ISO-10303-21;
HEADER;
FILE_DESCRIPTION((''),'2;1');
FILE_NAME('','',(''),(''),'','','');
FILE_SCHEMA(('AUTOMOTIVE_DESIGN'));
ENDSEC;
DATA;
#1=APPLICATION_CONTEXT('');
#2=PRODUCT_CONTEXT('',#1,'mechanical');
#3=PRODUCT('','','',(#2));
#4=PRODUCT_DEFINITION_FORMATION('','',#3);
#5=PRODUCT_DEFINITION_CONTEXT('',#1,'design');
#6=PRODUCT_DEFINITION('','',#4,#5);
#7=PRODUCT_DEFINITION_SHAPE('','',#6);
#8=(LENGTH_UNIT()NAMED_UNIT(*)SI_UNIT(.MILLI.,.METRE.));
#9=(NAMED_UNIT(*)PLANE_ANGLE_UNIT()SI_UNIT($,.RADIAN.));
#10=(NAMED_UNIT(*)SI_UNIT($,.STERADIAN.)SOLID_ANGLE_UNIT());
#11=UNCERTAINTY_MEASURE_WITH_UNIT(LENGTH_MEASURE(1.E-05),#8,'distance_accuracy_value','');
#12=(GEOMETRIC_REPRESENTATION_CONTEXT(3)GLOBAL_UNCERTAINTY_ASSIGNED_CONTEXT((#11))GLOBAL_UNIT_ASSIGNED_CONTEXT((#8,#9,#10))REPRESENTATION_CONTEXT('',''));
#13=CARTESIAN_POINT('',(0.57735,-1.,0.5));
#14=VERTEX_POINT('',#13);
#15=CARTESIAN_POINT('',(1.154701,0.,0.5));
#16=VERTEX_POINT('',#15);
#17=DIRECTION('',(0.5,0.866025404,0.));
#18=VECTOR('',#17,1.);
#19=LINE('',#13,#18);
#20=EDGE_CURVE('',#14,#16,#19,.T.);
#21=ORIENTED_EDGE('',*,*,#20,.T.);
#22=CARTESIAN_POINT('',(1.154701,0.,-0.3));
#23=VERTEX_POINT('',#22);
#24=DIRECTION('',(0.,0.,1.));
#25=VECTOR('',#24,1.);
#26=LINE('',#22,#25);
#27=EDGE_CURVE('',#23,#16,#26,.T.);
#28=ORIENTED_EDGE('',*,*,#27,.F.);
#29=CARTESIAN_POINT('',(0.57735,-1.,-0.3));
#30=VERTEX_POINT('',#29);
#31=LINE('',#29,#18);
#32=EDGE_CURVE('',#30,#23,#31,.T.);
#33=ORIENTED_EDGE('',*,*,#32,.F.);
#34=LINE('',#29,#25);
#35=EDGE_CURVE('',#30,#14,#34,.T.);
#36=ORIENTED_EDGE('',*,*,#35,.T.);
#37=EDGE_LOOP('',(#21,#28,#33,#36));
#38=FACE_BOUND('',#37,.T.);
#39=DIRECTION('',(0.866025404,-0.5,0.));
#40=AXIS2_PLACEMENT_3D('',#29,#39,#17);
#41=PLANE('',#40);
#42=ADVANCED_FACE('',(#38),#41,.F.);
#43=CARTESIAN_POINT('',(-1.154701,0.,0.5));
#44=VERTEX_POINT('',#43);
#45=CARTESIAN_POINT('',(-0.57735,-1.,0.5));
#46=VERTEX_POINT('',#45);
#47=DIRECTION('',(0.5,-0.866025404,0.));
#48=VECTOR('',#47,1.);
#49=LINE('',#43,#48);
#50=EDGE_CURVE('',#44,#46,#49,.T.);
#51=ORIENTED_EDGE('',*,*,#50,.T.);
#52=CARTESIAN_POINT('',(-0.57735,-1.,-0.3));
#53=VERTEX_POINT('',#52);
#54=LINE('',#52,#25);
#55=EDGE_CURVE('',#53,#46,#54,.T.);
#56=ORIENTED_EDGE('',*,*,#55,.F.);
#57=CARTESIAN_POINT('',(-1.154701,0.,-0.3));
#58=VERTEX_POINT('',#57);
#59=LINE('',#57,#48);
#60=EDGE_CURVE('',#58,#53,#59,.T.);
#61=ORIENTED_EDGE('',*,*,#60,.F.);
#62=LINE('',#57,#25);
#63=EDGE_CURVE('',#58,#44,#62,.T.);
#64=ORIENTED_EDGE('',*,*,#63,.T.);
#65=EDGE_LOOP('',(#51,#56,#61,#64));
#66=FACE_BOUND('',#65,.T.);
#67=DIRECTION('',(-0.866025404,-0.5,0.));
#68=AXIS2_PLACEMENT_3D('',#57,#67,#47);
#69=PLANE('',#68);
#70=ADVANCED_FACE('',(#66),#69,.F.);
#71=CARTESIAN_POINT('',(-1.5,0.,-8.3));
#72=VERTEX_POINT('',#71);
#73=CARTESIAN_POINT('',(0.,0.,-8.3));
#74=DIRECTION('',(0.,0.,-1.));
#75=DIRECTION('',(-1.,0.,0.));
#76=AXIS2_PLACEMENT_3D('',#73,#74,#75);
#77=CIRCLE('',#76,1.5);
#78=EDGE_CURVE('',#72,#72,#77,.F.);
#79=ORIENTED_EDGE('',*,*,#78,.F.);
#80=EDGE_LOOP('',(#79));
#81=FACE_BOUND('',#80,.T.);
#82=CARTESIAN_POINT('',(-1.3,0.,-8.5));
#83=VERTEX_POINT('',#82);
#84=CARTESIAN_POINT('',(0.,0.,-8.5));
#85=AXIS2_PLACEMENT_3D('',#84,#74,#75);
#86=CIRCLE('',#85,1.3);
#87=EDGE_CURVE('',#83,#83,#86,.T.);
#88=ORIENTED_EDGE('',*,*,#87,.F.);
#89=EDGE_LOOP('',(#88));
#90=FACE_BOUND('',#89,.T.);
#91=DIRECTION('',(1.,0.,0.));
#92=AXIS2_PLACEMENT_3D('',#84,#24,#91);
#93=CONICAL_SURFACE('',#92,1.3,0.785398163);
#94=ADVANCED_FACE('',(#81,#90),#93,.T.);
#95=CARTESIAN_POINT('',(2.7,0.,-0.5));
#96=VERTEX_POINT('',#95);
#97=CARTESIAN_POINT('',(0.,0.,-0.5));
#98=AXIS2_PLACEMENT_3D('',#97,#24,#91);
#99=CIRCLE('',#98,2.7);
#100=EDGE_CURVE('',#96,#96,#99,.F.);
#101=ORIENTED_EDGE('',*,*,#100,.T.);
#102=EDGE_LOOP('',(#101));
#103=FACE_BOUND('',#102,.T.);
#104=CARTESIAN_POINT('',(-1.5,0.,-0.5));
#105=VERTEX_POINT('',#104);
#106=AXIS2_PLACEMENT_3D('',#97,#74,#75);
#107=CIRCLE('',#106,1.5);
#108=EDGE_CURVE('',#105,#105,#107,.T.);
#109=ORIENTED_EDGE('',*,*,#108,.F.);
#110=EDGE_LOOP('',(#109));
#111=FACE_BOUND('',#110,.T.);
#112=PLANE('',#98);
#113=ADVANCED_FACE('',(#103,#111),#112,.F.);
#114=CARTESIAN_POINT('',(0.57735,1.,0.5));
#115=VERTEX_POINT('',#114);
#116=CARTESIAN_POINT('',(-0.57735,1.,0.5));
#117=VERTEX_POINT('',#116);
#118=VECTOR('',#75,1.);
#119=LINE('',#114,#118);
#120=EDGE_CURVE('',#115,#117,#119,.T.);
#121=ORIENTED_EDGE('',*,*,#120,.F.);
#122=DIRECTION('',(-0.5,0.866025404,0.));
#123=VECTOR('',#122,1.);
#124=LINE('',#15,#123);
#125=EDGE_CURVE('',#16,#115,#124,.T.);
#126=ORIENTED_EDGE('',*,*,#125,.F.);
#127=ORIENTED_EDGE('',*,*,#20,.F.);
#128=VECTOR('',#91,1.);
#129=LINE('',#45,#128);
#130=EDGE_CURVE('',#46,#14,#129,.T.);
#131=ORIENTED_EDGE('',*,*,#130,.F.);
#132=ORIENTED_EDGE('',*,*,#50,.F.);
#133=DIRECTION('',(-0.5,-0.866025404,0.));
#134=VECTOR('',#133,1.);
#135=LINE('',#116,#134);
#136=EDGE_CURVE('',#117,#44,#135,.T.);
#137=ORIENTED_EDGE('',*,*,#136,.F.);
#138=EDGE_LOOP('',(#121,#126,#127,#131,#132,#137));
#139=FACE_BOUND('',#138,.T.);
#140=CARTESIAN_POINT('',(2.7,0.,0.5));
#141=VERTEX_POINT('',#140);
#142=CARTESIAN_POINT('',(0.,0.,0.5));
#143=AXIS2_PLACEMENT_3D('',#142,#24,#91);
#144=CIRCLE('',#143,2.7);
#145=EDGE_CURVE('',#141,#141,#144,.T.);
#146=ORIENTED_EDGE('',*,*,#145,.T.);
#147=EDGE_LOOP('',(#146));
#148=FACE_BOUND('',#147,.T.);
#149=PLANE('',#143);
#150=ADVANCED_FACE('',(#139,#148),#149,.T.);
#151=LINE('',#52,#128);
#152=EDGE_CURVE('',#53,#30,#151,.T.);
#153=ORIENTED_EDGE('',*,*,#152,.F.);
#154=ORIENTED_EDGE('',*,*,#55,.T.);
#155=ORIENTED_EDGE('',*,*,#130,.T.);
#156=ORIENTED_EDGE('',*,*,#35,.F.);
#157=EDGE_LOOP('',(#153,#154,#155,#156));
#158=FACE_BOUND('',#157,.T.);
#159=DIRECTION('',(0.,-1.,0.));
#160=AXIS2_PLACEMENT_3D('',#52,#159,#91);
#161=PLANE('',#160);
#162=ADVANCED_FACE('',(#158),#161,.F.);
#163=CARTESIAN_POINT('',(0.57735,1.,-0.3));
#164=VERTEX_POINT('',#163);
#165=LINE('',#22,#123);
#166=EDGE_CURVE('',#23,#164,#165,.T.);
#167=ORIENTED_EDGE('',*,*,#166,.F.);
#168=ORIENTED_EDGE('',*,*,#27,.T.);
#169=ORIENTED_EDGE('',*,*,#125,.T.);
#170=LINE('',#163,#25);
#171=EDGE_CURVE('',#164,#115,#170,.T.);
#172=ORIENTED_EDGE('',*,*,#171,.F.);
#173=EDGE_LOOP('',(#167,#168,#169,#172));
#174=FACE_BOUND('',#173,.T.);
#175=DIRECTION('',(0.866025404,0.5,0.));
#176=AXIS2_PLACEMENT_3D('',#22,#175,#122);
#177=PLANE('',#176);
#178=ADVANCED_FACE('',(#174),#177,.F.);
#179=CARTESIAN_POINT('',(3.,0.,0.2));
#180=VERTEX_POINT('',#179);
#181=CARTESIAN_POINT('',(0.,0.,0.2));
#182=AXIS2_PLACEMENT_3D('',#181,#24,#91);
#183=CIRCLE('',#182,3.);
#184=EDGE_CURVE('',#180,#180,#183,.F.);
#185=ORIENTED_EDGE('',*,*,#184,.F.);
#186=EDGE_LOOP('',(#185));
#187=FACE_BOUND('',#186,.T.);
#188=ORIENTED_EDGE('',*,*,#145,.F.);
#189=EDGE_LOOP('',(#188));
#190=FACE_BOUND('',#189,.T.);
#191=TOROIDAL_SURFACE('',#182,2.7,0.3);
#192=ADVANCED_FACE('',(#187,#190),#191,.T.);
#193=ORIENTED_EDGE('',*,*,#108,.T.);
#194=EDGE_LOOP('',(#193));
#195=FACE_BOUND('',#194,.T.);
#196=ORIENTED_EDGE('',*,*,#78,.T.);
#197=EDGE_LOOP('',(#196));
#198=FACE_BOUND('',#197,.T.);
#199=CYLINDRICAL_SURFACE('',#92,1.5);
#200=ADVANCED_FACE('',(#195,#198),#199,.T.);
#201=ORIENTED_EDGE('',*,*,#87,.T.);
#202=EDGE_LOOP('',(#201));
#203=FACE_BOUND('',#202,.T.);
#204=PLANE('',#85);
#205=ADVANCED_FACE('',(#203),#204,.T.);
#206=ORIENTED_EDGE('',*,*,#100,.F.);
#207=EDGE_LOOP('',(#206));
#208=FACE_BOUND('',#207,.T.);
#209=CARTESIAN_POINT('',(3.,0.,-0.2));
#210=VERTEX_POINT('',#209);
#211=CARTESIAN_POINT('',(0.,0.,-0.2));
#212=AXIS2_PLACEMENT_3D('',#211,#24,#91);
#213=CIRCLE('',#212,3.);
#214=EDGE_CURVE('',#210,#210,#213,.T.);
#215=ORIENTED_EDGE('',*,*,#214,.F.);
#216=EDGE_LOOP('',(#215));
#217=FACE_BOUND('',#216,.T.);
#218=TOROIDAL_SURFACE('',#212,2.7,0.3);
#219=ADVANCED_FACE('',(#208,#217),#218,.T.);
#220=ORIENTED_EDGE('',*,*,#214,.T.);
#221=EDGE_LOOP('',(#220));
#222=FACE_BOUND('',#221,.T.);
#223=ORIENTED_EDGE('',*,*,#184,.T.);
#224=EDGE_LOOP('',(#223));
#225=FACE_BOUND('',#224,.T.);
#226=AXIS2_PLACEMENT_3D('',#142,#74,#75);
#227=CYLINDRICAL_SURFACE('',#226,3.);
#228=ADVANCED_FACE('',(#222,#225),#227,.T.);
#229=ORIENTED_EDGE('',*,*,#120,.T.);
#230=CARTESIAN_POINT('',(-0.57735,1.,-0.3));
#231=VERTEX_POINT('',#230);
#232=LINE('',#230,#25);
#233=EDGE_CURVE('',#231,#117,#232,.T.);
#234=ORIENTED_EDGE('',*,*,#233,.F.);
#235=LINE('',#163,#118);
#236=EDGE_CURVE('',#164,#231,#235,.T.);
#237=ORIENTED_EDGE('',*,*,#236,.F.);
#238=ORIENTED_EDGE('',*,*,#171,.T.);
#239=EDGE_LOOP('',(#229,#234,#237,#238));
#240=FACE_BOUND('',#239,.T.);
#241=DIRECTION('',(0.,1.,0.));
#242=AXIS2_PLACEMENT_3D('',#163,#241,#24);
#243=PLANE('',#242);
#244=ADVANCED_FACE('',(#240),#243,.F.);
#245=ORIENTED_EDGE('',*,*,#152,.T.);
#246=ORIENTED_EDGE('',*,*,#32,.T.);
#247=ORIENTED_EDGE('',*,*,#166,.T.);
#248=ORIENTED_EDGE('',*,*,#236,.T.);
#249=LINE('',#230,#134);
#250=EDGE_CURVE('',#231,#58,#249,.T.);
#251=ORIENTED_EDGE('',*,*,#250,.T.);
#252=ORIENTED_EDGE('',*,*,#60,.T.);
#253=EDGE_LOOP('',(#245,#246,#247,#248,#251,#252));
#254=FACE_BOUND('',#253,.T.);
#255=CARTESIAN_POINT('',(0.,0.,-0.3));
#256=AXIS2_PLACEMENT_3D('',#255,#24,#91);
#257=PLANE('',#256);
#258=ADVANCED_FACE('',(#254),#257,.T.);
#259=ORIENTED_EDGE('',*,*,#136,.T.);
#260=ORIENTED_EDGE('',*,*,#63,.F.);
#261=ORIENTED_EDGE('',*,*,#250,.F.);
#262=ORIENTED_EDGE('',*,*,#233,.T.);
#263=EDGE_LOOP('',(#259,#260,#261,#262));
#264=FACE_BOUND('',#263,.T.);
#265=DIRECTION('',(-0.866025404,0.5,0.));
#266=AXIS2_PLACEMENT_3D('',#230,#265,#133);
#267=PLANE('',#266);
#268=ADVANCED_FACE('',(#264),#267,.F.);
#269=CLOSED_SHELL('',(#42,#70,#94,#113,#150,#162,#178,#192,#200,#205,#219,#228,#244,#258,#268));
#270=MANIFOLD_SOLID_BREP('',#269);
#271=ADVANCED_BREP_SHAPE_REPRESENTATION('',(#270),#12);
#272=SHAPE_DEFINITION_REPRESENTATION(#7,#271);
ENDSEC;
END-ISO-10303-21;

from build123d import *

# Parameters (mm, degrees)
SKETCH_1_R          = 3
EXTRUDE_1_DEPTH     = 0.5
SKETCH_2_R          = 1.5
EXTRUDE_2_DEPTH     = 8
CHAMFER_1_SIZE      = 0.2
CUT_EXTRUDE_1_DEPTH = 0.8
FILLET_2_R          = 0.3


with BuildPart() as part:
    # 草图1 → 凸台-拉伸1 (new body, symmetric)
    with BuildSketch(Plane.XY):
        Circle(SKETCH_1_R)
    extrude(amount=EXTRUDE_1_DEPTH, both=True)

    # 草图2 → 凸台-拉伸2 (add)
    with BuildSketch(Plane(origin=(0, 0, -0.5), x_dir=(-1, 0, 0), z_dir=(0, 0, -1))):
        Circle(SKETCH_2_R)
    extrude(amount=EXTRUDE_2_DEPTH)

    # 倒角1
    chamfer_1_edges = [part.edges().sort_by_distance(p)[0] for p in [
        (1.5, 0, -8.5),
    ]]
    chamfer(chamfer_1_edges, length=CHAMFER_1_SIZE)

    # 草图3 → 切除-拉伸1 (cut)
    with BuildSketch(Plane.XY.offset(0.5)):
        Polygon((1.154700538, 0), (0.577350269, 1), (-0.577350269, 1), (-1.154700538, 0), (-0.577350269, -1), (0.577350269, -1), align=None)
    extrude(amount=-CUT_EXTRUDE_1_DEPTH, mode=Mode.SUBTRACT)

    # 圆角2
    fillet_2_edges = [part.edges().sort_by_distance(p)[0] for p in [
        (-3, 0, -0.5),
        (-3, 0, 0.5),
    ]]
    fillet(fillet_2_edges, radius=FILLET_2_R)


solid = part.part
